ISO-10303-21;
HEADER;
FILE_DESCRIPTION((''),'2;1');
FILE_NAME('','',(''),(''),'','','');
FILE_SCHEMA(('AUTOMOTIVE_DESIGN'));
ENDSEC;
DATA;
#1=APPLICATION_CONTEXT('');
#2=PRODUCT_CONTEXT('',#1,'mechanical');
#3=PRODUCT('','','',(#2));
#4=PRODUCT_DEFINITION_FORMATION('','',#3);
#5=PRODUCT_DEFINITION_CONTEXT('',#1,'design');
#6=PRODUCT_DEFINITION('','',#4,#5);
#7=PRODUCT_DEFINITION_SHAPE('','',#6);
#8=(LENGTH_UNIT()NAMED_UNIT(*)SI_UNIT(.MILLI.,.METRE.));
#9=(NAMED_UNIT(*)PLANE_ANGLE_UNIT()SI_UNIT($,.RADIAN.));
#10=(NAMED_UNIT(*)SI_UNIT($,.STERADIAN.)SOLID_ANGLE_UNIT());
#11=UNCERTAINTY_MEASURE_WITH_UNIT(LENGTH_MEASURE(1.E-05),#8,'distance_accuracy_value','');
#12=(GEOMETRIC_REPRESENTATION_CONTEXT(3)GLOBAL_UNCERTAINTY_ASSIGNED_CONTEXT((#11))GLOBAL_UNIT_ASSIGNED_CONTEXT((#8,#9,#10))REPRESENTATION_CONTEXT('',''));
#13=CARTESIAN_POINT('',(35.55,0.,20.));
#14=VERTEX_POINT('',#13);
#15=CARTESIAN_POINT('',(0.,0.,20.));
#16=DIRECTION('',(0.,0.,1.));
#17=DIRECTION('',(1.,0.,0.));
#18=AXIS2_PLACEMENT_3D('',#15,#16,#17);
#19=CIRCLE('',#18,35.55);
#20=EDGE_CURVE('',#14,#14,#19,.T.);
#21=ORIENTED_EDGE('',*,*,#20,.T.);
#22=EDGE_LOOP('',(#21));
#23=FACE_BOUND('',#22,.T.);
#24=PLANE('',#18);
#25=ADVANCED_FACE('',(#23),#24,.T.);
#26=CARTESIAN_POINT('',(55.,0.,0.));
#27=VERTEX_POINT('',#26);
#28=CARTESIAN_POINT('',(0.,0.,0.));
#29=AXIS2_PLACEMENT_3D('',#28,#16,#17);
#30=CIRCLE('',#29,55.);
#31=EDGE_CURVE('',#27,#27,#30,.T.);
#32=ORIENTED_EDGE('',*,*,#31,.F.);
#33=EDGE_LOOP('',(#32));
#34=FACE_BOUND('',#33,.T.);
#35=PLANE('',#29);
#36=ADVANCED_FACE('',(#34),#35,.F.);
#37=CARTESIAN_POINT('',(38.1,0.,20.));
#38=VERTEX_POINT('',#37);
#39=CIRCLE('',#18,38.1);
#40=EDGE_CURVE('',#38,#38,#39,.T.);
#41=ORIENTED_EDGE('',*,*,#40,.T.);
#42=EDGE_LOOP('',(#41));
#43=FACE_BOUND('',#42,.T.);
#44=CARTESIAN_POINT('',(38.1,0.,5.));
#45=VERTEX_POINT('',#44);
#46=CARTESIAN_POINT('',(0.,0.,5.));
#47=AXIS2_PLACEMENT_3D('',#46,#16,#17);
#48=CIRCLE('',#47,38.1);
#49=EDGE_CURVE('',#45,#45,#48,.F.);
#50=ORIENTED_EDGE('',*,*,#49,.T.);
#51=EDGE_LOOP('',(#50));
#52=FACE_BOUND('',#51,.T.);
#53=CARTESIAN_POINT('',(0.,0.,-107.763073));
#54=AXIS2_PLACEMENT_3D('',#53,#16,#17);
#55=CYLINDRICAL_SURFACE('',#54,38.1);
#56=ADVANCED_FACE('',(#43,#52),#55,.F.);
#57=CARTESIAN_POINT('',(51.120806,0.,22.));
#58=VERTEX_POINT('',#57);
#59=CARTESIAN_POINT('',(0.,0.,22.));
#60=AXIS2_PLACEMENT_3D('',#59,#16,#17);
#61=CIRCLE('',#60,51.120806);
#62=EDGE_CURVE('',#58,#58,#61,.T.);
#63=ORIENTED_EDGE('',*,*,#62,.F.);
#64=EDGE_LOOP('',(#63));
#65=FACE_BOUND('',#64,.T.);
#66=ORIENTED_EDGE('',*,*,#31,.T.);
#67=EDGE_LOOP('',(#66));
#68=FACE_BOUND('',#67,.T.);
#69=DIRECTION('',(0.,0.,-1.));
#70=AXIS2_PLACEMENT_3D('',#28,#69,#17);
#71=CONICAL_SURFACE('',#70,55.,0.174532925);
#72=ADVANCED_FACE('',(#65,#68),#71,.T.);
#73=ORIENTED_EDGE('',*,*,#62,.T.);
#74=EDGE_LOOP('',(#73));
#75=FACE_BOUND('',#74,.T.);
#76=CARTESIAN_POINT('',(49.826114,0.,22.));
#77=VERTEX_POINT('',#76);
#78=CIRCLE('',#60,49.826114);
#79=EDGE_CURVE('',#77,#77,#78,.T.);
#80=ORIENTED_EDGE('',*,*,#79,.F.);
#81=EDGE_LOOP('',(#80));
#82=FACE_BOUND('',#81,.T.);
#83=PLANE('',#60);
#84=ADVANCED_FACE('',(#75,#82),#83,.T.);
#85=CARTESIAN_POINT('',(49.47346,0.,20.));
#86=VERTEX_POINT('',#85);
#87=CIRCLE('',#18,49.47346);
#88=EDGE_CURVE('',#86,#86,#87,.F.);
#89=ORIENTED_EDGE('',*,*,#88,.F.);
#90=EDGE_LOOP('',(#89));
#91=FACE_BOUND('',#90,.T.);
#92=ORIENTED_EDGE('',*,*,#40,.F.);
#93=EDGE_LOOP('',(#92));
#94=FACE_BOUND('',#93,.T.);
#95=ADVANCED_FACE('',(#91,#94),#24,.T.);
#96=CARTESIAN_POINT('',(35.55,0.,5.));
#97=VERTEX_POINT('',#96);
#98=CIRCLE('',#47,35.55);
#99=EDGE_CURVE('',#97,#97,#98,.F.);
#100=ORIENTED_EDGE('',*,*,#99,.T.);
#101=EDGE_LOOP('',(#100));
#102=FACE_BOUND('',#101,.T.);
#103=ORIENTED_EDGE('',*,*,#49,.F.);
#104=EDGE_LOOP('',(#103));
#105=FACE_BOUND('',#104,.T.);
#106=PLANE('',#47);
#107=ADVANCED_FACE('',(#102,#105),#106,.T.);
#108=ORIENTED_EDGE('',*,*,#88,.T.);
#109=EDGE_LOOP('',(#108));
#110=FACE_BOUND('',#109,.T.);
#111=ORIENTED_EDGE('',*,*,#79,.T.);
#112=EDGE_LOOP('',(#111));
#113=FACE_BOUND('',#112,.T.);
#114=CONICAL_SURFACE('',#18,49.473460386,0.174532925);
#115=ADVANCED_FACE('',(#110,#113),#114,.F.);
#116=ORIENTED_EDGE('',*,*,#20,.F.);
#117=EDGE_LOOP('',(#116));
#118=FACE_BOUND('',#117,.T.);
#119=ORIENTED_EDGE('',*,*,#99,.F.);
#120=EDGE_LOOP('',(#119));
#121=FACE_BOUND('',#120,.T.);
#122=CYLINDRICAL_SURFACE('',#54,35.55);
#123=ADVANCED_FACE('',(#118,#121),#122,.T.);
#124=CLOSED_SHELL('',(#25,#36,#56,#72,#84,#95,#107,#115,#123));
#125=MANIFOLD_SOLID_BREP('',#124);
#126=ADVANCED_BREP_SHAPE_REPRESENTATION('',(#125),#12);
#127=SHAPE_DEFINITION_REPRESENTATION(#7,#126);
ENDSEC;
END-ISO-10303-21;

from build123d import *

# Parameters (mm, degrees)
SKETCH1_R           = 55
BOSS_EXTRUDE1_DEPTH = 20
BOSS_EXTRUDE1_TAPER = 10
SKETCH2_R           = 38.1
SKETCH2_R_2         = 35.55
CUT_EXTRUDE1_DEPTH  = 15
SKETCH3_R           = 51.473460386
SKETCH3_R_2         = 49.473460386
BOSS_EXTRUDE2_DEPTH = 2
BOSS_EXTRUDE2_TAPER = 10


with BuildPart() as part:
    # Sketch1 → Boss-Extrude1 (new body)
    with BuildSketch(Plane.XY):
        Circle(SKETCH1_R)
    extrude(amount=BOSS_EXTRUDE1_DEPTH, taper=BOSS_EXTRUDE1_TAPER)

    # Sketch2 → Cut-Extrude1 (cut)
    with BuildSketch(Plane.XY.offset(20)):
        Circle(SKETCH2_R)
        Circle(SKETCH2_R_2, mode=Mode.SUBTRACT)
    extrude(amount=-CUT_EXTRUDE1_DEPTH, mode=Mode.SUBTRACT)

    # Sketch3 → Boss-Extrude2 (add)
    with BuildSketch(Plane.XY.offset(20)):
        Circle(SKETCH3_R)
        Circle(SKETCH3_R_2, mode=Mode.SUBTRACT)
    extrude(amount=BOSS_EXTRUDE2_DEPTH, taper=BOSS_EXTRUDE2_TAPER)


solid = part.part
